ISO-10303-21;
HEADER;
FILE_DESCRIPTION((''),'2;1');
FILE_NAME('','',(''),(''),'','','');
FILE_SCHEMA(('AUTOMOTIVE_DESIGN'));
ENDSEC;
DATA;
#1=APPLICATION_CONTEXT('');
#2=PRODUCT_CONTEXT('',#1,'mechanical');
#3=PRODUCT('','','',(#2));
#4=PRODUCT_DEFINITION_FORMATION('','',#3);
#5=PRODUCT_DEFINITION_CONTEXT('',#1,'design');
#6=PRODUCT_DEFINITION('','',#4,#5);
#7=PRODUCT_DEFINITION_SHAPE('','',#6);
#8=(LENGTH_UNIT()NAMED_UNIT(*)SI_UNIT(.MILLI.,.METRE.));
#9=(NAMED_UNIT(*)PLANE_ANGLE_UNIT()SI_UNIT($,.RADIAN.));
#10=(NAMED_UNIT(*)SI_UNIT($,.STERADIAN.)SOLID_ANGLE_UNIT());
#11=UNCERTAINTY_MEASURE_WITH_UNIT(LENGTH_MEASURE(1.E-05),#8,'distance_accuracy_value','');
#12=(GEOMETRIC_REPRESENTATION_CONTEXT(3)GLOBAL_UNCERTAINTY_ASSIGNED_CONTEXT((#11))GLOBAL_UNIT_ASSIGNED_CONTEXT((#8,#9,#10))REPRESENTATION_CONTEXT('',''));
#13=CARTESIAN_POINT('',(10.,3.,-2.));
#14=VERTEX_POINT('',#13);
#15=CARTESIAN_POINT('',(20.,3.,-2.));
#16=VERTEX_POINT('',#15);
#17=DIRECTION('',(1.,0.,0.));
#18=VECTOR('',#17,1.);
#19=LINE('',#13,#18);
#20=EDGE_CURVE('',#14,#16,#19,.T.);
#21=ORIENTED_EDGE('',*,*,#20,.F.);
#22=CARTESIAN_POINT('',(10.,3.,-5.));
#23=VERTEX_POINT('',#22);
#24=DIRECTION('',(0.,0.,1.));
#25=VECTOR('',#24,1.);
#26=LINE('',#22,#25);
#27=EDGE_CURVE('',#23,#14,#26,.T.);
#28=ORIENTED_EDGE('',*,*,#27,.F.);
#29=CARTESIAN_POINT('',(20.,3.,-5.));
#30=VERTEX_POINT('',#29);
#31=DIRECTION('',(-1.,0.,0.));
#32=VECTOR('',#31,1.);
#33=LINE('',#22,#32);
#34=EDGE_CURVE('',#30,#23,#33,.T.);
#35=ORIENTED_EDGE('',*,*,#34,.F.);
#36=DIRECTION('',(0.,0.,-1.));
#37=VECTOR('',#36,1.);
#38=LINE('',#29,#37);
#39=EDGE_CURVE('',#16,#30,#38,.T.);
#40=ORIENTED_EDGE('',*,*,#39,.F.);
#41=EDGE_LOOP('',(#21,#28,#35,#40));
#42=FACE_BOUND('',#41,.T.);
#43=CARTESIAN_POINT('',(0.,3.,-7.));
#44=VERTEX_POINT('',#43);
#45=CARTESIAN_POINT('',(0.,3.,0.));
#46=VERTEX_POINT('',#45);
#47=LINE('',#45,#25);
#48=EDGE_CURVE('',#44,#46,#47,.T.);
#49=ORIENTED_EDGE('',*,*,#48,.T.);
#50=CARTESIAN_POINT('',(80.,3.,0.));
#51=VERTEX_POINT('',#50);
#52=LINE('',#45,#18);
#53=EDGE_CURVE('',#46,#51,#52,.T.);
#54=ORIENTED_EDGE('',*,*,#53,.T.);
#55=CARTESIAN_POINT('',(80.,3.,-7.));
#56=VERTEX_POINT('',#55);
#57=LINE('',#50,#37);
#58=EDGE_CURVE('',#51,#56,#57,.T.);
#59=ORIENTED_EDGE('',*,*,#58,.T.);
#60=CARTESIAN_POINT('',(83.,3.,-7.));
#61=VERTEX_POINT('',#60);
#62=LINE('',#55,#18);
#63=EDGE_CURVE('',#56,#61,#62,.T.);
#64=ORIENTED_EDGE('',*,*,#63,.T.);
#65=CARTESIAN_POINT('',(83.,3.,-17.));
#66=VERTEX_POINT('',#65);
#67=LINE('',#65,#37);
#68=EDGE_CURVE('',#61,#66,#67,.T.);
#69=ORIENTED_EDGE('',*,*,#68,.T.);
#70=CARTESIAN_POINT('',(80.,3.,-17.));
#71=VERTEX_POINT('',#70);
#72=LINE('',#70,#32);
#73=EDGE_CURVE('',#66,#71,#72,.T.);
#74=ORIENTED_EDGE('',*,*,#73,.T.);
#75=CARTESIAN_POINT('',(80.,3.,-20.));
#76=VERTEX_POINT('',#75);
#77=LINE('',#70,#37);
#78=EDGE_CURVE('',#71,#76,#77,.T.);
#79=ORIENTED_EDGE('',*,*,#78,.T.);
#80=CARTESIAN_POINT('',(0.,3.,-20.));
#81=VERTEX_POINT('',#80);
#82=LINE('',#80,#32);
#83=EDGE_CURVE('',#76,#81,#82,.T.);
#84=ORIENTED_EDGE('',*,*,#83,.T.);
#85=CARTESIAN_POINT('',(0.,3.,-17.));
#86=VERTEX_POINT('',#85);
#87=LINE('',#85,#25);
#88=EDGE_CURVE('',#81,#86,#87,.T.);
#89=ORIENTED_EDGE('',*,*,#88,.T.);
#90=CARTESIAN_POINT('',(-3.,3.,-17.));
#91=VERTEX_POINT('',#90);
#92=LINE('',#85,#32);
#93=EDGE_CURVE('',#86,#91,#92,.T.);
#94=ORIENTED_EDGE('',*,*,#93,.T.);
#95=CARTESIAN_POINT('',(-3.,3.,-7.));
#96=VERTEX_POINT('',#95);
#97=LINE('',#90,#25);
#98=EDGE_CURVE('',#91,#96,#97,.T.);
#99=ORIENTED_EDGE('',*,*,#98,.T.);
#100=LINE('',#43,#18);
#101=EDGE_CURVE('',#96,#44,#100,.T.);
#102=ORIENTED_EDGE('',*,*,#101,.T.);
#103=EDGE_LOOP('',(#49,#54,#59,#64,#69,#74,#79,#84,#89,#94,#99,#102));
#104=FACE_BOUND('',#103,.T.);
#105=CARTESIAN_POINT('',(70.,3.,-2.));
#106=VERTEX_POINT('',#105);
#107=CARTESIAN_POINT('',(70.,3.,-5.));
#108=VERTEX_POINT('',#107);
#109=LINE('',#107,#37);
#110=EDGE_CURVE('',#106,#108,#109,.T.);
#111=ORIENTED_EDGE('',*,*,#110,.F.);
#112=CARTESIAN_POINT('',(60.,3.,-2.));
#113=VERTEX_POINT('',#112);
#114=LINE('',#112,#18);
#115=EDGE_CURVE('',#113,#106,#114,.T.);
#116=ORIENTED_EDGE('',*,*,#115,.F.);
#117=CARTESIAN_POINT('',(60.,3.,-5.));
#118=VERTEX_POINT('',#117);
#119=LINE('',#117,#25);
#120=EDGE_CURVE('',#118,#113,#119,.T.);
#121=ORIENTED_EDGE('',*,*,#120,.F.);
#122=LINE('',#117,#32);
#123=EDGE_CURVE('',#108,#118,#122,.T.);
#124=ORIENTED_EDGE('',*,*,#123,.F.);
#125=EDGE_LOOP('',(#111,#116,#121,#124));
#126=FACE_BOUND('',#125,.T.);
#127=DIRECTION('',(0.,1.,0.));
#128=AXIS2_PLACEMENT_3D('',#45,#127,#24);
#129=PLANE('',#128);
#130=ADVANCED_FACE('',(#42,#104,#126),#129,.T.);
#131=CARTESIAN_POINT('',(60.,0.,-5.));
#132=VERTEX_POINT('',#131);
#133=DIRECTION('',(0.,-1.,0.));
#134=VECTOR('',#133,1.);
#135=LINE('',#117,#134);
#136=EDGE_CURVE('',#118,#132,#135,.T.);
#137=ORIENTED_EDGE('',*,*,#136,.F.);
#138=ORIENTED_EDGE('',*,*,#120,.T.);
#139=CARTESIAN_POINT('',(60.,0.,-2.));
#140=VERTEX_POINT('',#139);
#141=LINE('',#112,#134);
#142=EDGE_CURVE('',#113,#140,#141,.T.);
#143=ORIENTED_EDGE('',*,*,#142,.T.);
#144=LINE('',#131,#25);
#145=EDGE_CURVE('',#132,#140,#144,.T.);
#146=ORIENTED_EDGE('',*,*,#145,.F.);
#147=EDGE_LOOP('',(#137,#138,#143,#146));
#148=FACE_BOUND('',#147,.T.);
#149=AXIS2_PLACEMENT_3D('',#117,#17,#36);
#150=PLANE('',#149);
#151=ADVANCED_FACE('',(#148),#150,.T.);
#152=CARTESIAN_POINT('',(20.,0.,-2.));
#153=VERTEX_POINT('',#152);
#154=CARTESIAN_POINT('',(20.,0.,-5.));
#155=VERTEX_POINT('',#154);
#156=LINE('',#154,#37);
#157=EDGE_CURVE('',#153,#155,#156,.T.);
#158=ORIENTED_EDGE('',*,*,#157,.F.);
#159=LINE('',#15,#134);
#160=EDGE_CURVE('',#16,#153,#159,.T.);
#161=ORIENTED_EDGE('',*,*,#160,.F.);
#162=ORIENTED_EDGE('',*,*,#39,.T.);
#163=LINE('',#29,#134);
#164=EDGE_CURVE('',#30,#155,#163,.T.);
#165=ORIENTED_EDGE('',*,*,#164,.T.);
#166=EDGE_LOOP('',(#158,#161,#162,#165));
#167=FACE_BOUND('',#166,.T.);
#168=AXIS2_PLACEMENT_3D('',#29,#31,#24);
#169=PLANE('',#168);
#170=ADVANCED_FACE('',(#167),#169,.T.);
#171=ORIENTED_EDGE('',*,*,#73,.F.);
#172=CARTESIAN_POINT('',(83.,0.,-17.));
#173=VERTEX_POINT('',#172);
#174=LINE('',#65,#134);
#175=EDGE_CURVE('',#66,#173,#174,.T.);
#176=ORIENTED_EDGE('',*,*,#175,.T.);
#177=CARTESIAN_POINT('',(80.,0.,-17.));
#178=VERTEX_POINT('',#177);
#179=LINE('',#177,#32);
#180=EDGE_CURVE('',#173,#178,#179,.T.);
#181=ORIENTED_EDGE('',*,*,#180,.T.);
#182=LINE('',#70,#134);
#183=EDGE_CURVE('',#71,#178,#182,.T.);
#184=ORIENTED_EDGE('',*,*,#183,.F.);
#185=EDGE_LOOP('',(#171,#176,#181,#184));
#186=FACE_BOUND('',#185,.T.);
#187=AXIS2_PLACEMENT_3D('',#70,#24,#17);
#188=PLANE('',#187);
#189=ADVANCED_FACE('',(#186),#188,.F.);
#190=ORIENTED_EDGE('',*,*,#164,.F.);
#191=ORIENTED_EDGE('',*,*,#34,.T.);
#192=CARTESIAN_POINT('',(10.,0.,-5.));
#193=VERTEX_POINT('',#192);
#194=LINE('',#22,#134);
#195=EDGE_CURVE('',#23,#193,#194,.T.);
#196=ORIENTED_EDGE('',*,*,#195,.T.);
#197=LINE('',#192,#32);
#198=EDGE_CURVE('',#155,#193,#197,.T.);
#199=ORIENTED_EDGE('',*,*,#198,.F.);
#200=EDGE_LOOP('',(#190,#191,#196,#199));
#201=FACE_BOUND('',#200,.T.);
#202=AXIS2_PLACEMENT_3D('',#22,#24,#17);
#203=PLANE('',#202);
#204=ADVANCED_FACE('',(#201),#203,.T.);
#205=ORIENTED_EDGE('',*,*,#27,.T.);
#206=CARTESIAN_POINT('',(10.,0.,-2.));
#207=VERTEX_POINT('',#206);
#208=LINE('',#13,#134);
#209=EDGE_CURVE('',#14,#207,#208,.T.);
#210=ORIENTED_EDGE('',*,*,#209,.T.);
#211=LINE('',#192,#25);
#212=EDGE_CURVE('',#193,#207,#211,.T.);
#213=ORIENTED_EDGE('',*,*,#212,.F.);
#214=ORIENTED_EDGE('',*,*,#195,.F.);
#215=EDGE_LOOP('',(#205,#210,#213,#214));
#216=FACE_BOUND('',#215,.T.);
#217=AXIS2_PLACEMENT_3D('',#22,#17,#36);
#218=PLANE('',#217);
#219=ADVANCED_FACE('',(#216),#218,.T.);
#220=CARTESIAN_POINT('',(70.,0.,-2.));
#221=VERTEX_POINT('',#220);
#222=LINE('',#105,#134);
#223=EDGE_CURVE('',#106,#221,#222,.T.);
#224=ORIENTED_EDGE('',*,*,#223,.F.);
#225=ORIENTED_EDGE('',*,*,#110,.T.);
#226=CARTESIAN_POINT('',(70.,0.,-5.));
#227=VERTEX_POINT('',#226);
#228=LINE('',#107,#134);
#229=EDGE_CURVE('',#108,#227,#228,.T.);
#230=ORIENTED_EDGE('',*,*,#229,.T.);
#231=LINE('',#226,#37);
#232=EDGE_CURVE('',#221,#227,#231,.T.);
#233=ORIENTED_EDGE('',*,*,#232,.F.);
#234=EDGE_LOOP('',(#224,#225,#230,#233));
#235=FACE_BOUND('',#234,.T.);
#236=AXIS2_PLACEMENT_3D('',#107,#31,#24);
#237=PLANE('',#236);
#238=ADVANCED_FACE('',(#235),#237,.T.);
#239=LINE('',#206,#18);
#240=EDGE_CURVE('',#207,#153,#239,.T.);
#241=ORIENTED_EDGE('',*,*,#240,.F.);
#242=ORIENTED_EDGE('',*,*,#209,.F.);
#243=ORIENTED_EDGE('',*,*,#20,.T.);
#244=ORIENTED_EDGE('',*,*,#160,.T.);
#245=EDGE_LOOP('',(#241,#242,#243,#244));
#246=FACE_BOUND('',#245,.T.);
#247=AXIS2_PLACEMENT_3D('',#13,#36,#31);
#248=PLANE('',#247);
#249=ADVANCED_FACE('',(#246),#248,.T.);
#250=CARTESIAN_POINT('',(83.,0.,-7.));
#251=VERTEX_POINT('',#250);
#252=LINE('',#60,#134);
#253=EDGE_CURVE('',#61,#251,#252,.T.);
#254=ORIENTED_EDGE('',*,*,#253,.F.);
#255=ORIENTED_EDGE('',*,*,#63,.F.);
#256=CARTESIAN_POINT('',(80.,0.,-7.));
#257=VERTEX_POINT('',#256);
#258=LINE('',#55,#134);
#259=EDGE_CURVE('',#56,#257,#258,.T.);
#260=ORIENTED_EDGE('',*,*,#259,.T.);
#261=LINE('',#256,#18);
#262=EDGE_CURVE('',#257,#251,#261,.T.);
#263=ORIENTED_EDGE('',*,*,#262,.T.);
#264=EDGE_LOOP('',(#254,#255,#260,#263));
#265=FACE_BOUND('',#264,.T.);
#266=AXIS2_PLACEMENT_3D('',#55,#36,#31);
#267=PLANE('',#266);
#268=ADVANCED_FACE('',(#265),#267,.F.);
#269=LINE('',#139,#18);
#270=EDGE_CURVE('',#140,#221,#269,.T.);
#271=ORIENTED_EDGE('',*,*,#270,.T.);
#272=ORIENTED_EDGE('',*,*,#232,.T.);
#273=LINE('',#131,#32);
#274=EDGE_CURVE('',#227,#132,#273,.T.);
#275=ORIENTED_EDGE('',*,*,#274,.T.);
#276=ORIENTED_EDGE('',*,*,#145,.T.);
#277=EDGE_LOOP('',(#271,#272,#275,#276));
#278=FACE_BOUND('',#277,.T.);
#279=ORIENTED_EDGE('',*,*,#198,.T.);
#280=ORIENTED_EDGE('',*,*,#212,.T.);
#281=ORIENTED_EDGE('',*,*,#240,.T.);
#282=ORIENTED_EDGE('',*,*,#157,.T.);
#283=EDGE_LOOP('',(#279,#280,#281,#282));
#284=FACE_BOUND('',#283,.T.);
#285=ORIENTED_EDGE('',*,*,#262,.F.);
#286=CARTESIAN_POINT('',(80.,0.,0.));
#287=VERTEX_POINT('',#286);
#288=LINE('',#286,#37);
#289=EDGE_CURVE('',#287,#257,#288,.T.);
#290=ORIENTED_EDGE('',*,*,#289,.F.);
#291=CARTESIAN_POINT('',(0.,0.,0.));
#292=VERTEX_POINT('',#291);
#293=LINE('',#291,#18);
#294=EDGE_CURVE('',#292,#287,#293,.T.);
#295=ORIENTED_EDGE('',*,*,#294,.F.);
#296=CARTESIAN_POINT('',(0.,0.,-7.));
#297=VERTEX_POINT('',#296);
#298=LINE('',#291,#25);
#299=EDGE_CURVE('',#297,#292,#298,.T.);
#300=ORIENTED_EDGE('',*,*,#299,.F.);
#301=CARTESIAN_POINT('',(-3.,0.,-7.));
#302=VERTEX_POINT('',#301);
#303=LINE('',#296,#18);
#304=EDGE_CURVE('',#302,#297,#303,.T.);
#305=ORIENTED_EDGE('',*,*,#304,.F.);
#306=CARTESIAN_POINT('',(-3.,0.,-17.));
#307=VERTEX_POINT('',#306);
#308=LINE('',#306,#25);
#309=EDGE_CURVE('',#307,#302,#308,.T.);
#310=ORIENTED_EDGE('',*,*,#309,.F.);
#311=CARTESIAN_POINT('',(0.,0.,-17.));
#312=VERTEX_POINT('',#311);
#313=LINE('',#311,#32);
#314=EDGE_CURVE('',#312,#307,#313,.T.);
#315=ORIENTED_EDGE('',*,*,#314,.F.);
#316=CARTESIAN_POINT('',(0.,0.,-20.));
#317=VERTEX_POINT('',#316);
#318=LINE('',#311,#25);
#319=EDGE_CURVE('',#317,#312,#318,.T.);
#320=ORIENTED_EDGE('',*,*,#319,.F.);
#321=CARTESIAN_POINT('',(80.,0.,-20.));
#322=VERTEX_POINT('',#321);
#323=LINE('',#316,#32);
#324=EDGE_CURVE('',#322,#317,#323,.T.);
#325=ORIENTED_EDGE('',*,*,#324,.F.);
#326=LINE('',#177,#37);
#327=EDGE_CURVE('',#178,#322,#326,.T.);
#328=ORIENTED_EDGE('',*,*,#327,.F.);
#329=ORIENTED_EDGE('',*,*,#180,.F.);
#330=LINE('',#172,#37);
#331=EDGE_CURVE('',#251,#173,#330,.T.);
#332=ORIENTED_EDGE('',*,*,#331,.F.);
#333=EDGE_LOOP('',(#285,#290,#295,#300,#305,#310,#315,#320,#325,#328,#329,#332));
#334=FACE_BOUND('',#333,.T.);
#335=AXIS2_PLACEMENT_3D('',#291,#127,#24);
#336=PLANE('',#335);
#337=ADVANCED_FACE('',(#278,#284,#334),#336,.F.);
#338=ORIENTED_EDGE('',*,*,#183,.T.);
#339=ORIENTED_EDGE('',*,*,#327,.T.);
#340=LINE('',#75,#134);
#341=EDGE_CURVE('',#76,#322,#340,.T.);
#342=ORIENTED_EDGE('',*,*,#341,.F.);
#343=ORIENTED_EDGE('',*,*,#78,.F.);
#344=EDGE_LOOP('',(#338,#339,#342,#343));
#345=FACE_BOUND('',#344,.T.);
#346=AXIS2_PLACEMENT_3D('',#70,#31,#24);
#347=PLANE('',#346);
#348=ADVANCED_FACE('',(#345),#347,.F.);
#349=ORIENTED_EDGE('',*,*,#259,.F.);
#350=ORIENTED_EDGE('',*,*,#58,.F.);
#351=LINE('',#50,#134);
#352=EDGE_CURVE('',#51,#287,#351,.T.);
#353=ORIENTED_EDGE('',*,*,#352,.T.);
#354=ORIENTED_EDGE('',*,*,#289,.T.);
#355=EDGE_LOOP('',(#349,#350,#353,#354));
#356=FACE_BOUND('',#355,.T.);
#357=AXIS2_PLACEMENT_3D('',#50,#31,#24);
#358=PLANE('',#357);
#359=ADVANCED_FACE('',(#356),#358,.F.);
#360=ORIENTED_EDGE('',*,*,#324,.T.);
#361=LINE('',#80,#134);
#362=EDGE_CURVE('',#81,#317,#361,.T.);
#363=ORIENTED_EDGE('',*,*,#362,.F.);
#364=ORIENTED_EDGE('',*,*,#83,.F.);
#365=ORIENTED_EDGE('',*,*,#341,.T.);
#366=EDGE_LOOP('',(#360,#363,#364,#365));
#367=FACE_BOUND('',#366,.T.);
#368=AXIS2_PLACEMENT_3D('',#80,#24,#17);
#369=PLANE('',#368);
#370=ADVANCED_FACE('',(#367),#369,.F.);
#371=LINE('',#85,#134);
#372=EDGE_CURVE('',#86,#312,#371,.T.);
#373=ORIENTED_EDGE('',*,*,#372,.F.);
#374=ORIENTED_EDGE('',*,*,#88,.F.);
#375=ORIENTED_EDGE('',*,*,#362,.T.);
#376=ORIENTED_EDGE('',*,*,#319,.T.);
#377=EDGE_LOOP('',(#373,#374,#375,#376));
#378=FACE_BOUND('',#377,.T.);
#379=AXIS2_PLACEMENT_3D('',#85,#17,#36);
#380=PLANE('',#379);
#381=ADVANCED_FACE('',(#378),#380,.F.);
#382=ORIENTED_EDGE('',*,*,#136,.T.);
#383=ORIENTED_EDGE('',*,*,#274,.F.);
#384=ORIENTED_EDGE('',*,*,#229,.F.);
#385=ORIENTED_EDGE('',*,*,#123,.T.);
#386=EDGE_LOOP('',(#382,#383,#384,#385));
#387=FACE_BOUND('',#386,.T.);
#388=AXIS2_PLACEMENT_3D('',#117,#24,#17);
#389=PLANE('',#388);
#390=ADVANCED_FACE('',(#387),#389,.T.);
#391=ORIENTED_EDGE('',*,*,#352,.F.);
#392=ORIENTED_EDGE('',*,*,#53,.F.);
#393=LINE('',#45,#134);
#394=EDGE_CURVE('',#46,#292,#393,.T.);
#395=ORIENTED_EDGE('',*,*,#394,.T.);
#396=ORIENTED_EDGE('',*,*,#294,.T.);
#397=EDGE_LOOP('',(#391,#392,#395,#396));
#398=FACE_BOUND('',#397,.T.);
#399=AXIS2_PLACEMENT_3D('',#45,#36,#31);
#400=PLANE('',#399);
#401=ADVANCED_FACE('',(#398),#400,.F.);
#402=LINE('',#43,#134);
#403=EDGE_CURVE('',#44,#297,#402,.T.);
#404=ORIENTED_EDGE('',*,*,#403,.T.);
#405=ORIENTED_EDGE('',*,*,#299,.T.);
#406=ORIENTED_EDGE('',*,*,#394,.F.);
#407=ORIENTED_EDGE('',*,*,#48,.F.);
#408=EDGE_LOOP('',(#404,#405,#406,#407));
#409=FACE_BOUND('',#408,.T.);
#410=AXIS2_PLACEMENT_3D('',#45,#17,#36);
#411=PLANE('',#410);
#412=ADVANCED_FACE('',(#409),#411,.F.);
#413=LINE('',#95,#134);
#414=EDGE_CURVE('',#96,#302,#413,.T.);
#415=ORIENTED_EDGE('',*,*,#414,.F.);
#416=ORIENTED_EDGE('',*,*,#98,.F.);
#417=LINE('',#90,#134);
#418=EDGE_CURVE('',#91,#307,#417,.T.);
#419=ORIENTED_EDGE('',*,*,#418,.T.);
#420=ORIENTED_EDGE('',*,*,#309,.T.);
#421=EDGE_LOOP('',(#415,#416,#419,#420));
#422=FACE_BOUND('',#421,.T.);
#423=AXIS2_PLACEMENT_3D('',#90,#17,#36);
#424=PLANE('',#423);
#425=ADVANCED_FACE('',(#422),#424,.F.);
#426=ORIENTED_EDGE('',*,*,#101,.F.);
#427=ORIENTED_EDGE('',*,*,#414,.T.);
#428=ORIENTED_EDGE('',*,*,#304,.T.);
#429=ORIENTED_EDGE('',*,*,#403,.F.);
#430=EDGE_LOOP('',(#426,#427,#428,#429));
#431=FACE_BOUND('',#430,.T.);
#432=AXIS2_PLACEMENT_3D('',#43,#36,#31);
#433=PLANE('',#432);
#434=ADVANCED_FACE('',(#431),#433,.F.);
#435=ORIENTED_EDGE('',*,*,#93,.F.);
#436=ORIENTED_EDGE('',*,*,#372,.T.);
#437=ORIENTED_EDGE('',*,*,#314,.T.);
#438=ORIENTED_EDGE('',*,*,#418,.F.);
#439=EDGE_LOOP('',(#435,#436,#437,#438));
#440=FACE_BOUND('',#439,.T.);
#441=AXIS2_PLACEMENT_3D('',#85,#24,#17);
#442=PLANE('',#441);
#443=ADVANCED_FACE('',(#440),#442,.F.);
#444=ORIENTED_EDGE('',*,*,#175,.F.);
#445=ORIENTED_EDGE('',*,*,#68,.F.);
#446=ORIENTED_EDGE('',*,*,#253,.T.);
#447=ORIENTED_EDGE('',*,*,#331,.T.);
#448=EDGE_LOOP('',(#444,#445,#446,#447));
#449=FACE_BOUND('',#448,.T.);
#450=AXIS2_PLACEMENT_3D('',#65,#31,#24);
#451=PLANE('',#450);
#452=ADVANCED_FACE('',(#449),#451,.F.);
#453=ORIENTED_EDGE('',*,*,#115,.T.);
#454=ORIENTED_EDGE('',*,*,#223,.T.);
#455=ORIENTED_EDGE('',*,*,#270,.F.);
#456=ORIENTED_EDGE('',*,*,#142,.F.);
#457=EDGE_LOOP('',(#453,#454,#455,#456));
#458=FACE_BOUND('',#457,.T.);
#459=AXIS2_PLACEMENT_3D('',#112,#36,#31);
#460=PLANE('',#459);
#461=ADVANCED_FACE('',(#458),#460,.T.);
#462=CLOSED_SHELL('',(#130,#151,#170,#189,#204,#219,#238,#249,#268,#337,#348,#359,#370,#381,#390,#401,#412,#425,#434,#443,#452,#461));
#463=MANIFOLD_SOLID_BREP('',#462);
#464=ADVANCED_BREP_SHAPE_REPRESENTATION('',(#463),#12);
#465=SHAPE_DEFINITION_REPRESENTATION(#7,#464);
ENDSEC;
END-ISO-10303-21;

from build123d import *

# Parameters (mm, degrees)
SKETCH1_W           = 10
SKETCH1_H           = 3
BOSS_EXTRUDE1_DEPTH = 3


with BuildPart() as part:
    # Sketch1 → Boss-Extrude1 (new body)
    with BuildSketch(Plane(origin=(0, 0, 0), x_dir=(1, 0, 0), z_dir=(0, 1, 0))):
        Polygon((0, 17), (0, 20), (80, 20), (80, 17), (83, 17), (83, 7), (80, 7), (80, 0), (0, 0), (0, 7), (-3, 7), (-3, 17), align=None)
        with Locations((15, 3.5)):
            Rectangle(SKETCH1_W, SKETCH1_H, mode=Mode.SUBTRACT)
        with Locations((65, 3.5)):
            Rectangle(SKETCH1_W, SKETCH1_H, mode=Mode.SUBTRACT)
    extrude(amount=BOSS_EXTRUDE1_DEPTH)


solid = part.part
